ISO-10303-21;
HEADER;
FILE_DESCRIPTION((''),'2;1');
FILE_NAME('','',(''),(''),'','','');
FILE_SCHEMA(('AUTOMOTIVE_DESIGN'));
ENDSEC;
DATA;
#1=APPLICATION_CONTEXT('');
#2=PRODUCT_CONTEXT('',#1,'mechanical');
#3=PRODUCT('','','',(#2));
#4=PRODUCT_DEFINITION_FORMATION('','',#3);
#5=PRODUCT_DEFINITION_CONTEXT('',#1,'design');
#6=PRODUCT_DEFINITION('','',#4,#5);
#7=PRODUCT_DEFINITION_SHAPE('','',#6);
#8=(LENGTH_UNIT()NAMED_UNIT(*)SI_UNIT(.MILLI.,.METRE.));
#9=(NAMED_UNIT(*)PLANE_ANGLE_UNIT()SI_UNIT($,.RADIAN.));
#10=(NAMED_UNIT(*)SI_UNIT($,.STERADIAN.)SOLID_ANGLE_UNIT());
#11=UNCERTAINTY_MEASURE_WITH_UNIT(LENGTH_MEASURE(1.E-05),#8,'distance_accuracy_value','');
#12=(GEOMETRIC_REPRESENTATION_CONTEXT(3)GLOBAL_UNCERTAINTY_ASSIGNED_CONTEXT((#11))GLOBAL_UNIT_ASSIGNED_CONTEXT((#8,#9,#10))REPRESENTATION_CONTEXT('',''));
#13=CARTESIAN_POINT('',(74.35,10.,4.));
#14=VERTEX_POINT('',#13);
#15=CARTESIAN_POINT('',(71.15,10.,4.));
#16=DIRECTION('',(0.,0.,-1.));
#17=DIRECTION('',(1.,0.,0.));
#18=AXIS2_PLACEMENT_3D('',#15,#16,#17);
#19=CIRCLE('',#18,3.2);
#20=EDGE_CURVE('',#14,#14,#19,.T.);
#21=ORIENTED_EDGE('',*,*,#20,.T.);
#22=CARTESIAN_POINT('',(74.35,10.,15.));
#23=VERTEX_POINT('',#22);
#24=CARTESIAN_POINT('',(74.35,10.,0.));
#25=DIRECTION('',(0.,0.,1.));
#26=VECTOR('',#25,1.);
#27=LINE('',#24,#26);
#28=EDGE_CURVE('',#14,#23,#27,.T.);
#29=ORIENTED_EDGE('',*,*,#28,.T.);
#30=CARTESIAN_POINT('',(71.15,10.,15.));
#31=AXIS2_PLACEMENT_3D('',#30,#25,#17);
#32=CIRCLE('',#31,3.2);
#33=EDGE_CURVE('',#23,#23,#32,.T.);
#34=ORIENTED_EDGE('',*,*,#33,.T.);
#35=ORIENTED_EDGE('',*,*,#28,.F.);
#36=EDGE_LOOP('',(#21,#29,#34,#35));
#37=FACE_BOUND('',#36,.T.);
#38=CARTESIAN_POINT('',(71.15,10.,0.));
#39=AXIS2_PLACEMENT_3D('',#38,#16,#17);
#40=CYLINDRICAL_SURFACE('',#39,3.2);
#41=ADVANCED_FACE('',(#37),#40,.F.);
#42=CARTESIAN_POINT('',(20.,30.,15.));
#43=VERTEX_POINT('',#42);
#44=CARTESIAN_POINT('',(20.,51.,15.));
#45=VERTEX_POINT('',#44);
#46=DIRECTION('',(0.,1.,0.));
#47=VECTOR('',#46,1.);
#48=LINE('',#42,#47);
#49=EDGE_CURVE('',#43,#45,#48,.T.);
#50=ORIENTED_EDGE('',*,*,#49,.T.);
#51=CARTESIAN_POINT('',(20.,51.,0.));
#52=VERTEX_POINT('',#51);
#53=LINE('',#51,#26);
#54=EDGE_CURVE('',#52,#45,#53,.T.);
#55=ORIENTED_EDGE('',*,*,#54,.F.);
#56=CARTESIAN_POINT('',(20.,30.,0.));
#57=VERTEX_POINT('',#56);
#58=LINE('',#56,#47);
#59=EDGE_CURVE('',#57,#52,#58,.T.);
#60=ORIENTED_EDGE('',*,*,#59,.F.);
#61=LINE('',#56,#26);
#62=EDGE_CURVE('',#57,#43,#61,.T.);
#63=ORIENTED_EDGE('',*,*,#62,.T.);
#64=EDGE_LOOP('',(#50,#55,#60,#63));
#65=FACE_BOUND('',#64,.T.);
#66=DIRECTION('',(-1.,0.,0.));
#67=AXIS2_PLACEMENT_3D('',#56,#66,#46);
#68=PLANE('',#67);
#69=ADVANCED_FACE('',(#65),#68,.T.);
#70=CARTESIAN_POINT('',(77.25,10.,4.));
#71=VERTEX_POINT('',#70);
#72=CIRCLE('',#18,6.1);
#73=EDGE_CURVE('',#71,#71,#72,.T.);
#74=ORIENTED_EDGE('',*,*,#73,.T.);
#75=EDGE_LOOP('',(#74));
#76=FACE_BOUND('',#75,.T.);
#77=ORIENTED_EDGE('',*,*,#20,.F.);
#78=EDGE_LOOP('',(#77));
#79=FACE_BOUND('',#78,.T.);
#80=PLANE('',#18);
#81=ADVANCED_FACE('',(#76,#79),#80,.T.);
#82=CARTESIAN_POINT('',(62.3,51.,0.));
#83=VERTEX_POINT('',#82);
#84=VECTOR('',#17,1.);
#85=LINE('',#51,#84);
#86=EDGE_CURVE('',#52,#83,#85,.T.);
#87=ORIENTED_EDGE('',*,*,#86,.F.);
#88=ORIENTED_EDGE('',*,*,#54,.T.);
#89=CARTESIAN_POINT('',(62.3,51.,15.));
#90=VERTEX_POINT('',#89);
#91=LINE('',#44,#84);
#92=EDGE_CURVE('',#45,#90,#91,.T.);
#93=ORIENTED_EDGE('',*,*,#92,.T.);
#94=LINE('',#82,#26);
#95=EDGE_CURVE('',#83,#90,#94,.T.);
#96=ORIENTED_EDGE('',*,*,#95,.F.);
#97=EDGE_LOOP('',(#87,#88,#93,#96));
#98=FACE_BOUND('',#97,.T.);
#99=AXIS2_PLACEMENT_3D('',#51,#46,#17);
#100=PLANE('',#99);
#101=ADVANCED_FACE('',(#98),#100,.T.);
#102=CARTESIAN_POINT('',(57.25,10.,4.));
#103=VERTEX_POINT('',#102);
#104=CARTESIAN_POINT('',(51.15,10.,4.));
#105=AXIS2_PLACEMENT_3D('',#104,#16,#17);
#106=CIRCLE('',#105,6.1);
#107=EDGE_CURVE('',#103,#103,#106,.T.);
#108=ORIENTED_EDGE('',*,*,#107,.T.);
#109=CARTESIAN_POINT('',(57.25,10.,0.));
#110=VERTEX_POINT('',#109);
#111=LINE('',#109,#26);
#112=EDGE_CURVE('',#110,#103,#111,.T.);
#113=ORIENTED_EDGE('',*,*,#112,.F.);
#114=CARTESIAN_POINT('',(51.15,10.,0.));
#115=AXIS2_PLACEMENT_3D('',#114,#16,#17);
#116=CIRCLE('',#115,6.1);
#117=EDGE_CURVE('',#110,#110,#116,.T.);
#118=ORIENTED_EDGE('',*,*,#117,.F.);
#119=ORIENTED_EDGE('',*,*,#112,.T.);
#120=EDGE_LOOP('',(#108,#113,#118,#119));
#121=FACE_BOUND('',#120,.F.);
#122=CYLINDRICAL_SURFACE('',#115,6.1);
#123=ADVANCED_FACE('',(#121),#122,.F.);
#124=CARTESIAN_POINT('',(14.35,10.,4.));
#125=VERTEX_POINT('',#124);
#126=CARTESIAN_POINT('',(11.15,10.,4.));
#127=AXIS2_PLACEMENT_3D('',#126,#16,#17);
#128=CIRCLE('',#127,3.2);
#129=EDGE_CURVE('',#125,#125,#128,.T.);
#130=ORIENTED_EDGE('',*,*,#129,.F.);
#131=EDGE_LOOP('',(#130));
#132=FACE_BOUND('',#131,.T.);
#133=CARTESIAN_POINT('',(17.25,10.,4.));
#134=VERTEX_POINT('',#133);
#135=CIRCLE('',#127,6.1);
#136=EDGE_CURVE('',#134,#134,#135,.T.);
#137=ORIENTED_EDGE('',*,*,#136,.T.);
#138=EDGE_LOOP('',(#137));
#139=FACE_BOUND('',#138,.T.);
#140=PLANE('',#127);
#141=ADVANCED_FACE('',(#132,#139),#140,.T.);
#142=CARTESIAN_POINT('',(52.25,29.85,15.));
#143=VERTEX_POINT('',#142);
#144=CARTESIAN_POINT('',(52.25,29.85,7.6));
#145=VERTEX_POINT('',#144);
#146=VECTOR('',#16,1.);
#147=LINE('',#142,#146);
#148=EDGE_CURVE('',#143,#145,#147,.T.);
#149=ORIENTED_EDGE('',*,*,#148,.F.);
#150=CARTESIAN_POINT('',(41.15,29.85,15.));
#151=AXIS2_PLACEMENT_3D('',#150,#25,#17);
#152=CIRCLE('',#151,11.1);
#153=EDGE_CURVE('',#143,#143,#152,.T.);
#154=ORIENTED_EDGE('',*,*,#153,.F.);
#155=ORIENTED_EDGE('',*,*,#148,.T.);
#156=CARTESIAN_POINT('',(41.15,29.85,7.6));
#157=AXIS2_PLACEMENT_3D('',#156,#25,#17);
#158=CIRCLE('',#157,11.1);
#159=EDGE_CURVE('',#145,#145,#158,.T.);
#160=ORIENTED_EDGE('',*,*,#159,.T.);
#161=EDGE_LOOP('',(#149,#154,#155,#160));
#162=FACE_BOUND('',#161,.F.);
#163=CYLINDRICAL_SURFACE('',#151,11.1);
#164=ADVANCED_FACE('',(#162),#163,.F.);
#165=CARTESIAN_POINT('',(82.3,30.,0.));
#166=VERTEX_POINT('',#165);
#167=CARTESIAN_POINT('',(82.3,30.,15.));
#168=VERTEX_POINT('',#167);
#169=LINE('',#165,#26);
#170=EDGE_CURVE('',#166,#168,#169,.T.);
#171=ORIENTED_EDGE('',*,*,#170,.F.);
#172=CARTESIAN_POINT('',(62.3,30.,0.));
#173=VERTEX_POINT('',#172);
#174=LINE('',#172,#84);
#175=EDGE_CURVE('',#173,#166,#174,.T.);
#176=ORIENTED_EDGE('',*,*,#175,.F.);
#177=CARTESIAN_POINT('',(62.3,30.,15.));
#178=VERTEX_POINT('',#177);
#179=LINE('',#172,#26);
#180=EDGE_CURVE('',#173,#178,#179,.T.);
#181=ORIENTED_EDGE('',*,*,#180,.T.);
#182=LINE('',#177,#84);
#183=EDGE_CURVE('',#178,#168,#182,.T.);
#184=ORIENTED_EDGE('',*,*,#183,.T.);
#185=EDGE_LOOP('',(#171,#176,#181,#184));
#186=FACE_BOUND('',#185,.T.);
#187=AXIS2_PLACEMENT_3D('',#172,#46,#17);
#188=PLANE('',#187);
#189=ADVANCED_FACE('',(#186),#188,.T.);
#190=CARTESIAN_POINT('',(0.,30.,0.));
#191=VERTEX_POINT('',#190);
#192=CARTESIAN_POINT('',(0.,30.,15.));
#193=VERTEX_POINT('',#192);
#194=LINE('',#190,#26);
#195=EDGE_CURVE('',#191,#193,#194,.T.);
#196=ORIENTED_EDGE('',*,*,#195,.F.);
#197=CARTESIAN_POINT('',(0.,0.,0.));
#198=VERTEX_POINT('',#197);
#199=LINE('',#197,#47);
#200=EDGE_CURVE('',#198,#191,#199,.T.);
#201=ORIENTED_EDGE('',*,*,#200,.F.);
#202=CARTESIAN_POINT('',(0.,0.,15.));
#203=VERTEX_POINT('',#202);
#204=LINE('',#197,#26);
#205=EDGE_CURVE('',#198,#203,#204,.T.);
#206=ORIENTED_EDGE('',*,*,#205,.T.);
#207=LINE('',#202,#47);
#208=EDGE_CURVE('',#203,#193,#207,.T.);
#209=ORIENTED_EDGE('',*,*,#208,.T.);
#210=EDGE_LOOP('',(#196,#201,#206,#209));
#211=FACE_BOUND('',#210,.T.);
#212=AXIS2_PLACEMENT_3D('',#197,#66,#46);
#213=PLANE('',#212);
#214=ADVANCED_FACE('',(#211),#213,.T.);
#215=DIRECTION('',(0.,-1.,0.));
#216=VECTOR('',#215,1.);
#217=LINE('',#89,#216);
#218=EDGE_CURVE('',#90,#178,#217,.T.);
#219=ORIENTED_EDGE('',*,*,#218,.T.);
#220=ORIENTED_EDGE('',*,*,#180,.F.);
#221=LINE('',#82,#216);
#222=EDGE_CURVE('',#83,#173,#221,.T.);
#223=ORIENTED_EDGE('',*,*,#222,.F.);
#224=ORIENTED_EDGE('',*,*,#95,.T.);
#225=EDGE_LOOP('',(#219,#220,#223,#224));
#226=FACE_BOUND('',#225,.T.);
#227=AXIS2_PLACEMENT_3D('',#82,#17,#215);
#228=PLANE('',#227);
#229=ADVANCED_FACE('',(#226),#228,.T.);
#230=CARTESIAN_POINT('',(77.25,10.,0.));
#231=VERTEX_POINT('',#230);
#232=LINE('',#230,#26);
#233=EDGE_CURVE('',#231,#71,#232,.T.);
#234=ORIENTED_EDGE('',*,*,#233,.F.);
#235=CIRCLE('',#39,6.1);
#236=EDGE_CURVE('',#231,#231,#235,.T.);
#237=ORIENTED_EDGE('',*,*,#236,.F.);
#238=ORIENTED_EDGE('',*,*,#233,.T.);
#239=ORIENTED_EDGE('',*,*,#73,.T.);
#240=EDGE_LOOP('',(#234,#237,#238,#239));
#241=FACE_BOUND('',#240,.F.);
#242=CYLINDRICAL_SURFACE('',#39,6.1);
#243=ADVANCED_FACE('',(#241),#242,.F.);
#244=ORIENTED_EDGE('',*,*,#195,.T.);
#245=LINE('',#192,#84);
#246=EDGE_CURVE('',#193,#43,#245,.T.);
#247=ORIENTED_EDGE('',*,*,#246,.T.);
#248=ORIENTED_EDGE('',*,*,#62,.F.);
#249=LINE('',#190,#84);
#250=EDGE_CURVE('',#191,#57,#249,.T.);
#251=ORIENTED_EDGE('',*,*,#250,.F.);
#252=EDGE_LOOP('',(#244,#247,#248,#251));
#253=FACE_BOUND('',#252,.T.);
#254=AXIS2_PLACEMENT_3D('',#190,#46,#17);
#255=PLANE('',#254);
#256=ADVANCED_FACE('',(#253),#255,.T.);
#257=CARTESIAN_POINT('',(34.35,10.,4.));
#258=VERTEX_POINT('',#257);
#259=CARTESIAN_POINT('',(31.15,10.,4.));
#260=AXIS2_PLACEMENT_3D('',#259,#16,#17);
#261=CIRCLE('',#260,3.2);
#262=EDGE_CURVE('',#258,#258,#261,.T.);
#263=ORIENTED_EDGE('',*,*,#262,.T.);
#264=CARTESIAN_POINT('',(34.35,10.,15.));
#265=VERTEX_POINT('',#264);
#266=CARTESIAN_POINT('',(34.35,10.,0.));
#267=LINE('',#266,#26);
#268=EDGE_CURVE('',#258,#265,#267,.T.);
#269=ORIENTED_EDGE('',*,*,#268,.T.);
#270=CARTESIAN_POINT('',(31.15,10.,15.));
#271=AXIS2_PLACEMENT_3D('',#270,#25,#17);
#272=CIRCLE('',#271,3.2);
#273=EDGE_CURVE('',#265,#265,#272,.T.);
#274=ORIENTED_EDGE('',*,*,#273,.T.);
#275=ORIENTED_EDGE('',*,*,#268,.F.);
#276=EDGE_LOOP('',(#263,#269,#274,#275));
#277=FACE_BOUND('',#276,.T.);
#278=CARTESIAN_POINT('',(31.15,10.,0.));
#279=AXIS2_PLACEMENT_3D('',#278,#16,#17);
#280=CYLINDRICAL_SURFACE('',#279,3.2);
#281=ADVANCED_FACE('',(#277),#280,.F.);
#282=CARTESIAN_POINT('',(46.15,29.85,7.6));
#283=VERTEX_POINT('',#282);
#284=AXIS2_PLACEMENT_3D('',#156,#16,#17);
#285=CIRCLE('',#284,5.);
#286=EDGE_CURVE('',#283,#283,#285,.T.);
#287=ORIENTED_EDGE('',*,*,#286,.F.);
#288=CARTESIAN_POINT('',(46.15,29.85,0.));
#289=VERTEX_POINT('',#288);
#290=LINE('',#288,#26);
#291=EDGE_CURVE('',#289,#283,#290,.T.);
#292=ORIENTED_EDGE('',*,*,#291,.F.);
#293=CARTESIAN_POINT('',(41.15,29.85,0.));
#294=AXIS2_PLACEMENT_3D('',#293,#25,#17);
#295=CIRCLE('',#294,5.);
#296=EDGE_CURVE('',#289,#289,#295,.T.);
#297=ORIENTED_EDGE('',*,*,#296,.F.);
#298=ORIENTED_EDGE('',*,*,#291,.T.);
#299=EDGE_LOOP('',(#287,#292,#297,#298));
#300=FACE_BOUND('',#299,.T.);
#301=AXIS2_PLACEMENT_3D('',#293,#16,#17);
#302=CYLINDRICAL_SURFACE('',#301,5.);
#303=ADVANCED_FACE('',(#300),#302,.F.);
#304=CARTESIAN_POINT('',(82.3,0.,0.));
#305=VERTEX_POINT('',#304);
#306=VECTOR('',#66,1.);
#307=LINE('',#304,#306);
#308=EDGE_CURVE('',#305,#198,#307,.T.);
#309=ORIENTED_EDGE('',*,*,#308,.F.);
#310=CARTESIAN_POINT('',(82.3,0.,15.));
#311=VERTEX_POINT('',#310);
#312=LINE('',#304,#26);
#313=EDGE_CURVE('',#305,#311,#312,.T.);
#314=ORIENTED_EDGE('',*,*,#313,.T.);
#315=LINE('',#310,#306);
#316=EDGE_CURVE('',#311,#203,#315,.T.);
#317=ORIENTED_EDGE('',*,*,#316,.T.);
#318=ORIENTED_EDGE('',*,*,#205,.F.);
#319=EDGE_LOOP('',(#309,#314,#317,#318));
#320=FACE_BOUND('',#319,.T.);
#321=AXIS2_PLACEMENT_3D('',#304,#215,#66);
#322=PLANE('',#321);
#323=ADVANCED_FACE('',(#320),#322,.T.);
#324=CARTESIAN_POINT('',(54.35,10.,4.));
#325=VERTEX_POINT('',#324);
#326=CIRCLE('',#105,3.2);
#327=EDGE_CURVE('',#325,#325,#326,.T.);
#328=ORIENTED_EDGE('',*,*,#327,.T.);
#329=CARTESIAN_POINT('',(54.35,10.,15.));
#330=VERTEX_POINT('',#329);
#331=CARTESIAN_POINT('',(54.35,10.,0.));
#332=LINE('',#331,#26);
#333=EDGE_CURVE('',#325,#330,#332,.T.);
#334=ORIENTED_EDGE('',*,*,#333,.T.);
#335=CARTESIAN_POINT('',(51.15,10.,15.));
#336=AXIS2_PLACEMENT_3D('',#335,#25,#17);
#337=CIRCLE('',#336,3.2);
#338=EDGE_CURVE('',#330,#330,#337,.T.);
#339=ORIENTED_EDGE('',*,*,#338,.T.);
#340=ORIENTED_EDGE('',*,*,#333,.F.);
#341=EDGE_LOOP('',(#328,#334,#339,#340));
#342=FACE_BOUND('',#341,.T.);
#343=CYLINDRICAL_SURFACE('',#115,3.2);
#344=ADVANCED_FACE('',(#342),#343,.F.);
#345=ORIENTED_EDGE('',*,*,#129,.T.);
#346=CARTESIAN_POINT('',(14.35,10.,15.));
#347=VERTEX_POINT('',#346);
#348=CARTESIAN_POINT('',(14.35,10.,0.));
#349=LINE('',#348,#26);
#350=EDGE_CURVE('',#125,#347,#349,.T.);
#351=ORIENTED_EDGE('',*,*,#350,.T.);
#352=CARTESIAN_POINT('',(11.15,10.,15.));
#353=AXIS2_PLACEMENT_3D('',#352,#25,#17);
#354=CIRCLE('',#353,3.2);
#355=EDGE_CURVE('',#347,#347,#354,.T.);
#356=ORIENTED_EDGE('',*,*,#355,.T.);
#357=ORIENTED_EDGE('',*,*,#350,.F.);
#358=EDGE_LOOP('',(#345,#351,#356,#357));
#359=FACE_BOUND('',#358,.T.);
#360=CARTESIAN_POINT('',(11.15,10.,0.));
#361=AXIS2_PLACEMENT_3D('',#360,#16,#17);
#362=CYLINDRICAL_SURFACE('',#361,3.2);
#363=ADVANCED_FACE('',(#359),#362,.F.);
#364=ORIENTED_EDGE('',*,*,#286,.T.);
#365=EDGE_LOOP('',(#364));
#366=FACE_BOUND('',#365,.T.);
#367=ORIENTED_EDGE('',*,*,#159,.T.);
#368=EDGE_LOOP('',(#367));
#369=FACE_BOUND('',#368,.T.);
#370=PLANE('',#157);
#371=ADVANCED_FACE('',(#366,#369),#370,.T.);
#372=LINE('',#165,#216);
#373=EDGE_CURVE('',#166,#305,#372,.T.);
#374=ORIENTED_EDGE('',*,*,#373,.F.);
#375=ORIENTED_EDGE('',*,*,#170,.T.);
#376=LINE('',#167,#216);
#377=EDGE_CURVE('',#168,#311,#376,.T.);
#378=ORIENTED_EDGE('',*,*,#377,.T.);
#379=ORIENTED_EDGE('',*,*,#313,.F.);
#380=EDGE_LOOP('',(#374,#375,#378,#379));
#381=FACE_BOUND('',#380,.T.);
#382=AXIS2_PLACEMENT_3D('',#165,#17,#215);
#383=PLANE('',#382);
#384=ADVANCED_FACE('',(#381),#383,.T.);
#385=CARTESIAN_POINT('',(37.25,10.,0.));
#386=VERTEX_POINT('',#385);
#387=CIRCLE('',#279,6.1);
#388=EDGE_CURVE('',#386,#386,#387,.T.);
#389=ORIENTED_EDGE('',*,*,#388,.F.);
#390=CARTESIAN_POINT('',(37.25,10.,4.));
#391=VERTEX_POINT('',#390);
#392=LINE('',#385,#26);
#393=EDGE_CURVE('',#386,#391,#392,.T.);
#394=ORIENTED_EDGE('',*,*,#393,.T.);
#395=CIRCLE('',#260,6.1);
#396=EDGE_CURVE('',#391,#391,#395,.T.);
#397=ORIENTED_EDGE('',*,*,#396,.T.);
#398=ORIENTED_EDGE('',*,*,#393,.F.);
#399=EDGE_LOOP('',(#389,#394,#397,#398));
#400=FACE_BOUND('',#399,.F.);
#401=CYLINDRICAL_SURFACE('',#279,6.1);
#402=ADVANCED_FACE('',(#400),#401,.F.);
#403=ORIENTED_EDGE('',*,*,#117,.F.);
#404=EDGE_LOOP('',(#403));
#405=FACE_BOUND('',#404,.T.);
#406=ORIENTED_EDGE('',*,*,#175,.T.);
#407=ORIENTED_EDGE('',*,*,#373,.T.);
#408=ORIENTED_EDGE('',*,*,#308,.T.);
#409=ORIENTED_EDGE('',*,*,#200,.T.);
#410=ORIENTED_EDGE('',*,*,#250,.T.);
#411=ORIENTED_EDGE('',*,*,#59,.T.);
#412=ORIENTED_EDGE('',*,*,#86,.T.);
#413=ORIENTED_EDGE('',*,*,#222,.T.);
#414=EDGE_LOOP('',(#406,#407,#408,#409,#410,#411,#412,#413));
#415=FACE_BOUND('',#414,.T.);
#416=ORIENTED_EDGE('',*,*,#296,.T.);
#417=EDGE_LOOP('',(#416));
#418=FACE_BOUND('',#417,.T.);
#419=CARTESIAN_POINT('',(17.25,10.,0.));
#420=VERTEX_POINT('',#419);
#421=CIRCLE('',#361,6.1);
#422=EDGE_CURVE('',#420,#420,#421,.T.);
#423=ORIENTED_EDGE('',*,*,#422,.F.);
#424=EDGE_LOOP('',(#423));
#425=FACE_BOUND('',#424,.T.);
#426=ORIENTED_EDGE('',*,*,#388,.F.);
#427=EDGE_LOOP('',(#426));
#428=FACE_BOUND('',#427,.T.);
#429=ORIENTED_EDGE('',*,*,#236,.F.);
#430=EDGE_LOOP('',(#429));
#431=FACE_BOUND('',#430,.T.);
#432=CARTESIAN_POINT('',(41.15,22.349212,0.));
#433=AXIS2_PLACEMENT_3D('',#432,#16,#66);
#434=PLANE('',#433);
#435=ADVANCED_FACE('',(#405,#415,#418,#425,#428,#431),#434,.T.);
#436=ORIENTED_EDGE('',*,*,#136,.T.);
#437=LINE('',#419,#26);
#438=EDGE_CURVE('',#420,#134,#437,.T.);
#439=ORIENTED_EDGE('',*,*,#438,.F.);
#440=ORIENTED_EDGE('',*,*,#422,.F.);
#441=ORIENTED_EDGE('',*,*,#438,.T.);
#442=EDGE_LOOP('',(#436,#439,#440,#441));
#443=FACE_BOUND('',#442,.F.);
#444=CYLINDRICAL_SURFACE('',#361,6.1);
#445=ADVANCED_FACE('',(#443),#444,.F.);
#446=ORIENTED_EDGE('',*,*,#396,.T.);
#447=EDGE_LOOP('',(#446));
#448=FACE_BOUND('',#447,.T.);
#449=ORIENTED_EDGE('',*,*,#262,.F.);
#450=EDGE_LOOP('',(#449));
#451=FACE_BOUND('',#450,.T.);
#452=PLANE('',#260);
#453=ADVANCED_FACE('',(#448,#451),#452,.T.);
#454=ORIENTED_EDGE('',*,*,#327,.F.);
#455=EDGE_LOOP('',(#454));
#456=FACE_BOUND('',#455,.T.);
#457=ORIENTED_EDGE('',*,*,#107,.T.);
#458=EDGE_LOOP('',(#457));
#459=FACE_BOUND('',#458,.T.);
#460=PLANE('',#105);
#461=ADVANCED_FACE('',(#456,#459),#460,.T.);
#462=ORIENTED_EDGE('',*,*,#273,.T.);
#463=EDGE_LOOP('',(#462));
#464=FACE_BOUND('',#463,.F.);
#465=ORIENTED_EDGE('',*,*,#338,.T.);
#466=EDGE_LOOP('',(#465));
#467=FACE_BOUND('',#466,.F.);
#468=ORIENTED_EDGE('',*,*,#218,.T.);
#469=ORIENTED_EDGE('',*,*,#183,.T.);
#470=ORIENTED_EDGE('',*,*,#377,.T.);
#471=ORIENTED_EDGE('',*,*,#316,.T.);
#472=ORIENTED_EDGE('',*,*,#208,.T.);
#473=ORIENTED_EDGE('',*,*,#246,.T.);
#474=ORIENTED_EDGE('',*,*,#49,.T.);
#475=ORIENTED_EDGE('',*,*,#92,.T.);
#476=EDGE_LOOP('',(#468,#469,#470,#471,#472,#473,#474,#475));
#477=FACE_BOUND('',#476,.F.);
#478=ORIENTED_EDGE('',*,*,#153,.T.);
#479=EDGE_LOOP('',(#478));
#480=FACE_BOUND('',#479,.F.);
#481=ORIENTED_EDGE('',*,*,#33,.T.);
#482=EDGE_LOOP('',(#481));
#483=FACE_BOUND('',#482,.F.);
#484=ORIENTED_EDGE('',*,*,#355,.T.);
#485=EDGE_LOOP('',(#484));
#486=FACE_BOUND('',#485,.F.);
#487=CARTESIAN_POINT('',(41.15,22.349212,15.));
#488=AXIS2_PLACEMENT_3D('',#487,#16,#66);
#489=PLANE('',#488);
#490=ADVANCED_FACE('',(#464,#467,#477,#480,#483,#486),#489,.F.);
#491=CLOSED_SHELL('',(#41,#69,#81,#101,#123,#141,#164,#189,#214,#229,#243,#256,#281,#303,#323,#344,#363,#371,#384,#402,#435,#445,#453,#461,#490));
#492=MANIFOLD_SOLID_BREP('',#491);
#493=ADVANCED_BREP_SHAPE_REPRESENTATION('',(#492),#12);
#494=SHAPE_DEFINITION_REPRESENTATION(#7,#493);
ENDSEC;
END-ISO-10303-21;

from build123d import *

# Parameters (mm, degrees)
SKETCH_R        = 5
SKETCH_R_2      = 3.2
PAD_DEPTH       = 15
SKETCH002_R     = 6.1
POCKET001_DEPTH = 4
SKETCH003_R     = 11.1
POCKET_DEPTH    = 7.4


with BuildPart() as part:
    # Sketch → Pad (new body)
    with BuildSketch(Plane.XY):
        Polygon((20, 30), (20, 51), (62.3, 51), (62.3, 30), (82.3, 30), (82.3, 0), (0, 0), (0, 30), align=None)
        with Locations((41.15, 29.85)):
            Circle(SKETCH_R, mode=Mode.SUBTRACT)
        with Locations((11.15, 10)):
            Circle(SKETCH_R_2, mode=Mode.SUBTRACT)
        with Locations((31.15, 10)):
            Circle(SKETCH_R_2, mode=Mode.SUBTRACT)
        with Locations((51.15, 10)):
            Circle(SKETCH_R_2, mode=Mode.SUBTRACT)
        with Locations((71.15, 10)):
            Circle(SKETCH_R_2, mode=Mode.SUBTRACT)
    extrude(amount=PAD_DEPTH)

    # Sketch002 → Pocket001 (cut)
    with BuildSketch(Plane(origin=(0, 0, 0), x_dir=(1, 0, 0), z_dir=(0, 0, -1))):
        with Locations((11.15, -10)):
            Circle(SKETCH002_R)
        with Locations((31.15, -10)):
            Circle(SKETCH002_R)
        with Locations((51.15, -10)):
            Circle(SKETCH002_R)
        with Locations((71.15, -10)):
            Circle(SKETCH002_R)
    extrude(amount=-POCKET001_DEPTH, mode=Mode.SUBTRACT)

    # Sketch003 (on Face5 of Pocket001) → Pocket (cut)
    with BuildSketch(Plane.XY.offset(15)):
        with Locations((41.15, 29.85)):
            Circle(SKETCH003_R)
    extrude(amount=-POCKET_DEPTH, mode=Mode.SUBTRACT)


solid = part.part
